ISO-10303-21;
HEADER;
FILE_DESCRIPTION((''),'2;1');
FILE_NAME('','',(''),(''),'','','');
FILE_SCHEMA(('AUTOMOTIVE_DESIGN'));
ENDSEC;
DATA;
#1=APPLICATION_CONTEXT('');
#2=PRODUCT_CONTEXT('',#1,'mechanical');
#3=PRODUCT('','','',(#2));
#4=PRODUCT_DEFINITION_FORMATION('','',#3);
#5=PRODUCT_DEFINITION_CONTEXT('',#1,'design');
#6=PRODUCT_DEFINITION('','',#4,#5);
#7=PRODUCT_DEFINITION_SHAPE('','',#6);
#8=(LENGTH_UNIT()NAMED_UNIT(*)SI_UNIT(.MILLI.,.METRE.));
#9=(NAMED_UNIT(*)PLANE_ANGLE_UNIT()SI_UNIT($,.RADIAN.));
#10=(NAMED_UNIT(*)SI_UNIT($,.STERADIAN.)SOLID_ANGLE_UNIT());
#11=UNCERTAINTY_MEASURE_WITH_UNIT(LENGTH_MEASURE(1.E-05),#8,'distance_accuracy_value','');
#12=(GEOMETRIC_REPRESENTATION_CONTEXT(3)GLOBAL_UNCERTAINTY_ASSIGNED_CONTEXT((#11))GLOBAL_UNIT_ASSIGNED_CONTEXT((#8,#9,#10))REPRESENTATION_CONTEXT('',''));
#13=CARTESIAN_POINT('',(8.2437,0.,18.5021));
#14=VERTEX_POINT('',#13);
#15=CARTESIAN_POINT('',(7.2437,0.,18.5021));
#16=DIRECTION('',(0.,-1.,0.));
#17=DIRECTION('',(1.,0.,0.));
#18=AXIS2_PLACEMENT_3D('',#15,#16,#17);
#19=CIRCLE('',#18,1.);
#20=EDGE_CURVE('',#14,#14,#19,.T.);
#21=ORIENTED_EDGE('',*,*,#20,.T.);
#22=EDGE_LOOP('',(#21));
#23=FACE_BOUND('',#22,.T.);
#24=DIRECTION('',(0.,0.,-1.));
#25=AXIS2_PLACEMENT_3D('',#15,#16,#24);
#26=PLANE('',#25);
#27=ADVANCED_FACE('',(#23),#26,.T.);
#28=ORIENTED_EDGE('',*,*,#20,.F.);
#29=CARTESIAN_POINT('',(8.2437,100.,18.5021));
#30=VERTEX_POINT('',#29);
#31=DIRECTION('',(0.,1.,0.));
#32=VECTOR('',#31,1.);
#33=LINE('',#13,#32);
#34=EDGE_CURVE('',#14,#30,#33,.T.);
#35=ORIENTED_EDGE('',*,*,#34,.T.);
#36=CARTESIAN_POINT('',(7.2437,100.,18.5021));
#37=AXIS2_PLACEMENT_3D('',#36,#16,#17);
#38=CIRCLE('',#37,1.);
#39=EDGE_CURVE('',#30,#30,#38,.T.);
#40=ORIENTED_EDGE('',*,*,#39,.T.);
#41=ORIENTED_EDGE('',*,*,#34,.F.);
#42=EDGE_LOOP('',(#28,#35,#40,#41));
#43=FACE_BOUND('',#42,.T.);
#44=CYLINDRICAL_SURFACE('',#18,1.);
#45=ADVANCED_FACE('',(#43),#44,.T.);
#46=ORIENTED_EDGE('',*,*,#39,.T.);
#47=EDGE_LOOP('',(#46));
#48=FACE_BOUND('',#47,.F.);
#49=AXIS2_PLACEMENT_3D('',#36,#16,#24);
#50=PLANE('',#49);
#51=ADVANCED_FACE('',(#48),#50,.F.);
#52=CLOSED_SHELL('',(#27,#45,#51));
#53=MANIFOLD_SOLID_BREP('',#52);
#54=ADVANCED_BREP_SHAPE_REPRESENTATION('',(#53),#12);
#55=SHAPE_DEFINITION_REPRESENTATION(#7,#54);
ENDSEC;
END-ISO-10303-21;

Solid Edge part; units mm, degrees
sketch "Sketch1" plane through (0, 0, 0) normal (0, -1, 0) x (1, 0, 0)
  circle A0 centre (7.2437, 18.5021) radius 1
extrude "Protrusion1" add sketch "Sketch1" against normal blind 100
